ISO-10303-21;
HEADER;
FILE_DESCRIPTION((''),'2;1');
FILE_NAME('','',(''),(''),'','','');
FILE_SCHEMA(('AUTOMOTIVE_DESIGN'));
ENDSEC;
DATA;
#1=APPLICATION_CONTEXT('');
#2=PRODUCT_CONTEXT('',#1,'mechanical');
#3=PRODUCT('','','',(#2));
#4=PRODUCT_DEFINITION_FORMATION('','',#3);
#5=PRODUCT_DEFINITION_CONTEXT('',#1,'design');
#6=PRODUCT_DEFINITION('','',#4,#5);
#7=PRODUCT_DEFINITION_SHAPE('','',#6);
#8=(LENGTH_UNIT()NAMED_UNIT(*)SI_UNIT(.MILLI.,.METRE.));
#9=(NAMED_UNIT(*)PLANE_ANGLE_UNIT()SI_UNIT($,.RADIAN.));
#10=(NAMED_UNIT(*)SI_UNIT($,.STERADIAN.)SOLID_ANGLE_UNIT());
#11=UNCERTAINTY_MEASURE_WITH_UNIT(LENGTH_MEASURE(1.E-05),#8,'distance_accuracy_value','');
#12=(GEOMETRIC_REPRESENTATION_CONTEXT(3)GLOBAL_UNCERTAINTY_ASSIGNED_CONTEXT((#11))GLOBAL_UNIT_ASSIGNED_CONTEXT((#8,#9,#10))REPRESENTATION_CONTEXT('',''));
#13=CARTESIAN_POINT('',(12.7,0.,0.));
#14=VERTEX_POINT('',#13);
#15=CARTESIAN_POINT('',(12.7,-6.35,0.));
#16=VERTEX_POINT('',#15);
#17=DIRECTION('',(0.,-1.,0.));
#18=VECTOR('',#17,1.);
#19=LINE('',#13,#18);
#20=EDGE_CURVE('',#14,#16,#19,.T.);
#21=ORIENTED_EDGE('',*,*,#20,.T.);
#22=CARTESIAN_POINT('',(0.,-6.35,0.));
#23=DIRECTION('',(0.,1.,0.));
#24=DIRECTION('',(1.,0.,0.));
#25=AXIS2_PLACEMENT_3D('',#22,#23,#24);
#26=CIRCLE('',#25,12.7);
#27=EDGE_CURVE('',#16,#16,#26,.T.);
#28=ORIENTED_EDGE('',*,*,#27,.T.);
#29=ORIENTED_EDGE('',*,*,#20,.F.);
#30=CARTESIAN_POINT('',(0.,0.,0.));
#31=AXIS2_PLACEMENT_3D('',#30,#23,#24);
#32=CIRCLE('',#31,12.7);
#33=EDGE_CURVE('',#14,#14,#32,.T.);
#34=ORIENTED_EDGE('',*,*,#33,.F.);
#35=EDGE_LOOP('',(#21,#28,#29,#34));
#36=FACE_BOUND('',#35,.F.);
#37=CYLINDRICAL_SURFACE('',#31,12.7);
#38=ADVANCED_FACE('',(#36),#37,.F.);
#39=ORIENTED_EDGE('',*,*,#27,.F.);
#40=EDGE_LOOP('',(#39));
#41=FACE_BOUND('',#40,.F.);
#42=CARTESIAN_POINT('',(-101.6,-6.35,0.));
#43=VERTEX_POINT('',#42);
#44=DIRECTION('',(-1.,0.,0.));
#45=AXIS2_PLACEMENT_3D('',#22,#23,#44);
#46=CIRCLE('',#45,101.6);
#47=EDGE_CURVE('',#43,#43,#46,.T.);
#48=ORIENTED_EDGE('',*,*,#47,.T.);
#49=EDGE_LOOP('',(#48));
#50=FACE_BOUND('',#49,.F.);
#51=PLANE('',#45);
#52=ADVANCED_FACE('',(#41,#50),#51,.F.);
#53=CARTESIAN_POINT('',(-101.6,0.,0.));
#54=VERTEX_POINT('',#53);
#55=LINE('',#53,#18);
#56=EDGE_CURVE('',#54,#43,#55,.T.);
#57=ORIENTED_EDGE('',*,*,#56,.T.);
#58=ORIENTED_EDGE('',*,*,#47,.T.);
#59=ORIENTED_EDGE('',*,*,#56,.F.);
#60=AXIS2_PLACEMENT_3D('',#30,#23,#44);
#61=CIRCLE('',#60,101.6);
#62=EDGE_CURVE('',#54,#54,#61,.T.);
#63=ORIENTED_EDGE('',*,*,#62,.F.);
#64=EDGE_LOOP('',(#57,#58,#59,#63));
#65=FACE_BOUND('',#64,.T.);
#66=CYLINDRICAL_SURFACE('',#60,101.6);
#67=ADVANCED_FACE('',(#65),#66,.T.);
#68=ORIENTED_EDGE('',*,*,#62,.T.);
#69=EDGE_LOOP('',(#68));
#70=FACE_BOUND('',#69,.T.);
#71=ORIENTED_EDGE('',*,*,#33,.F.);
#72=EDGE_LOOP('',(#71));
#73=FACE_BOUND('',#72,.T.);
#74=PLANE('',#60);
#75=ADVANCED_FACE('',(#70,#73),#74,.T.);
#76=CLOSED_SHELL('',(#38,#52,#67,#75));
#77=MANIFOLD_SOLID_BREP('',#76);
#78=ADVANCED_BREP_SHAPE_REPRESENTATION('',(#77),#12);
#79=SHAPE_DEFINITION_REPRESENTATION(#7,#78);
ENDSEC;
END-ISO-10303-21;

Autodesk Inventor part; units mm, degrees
ref_plane "YZ Plane" through (0, 0, 0) normal (1, 0, 0) x (0, 1, 0)
ref_plane "XZ Plane" through (0, 0, 0) normal (0, 1, 0) x (-1, 0, 0)
ref_plane "XY Plane" through (0, 0, 0) normal (0, 0, 1) x (1, 0, 0)
sketch "Sketch1" plane through (0, 0, 0) normal (0, 1, 0) x (-1, 0, 0)
  circle A0 centre (0, 0) radius 101.6
  dimension "d0" = 203.2
extrude "Extrusion1" add sketch "Sketch1" against normal blind 6.35
sketch "Sketch2" plane through (0, 0, 0) normal (0, 1, 0) x (1, 0, 0)
  circle A0 centre (0, 0) radius 12.7
  dimension "d5" = 25.4
extrude "Extrusion2" cut sketch "Sketch2" against normal through all
properties part number "base-8in-diam"
